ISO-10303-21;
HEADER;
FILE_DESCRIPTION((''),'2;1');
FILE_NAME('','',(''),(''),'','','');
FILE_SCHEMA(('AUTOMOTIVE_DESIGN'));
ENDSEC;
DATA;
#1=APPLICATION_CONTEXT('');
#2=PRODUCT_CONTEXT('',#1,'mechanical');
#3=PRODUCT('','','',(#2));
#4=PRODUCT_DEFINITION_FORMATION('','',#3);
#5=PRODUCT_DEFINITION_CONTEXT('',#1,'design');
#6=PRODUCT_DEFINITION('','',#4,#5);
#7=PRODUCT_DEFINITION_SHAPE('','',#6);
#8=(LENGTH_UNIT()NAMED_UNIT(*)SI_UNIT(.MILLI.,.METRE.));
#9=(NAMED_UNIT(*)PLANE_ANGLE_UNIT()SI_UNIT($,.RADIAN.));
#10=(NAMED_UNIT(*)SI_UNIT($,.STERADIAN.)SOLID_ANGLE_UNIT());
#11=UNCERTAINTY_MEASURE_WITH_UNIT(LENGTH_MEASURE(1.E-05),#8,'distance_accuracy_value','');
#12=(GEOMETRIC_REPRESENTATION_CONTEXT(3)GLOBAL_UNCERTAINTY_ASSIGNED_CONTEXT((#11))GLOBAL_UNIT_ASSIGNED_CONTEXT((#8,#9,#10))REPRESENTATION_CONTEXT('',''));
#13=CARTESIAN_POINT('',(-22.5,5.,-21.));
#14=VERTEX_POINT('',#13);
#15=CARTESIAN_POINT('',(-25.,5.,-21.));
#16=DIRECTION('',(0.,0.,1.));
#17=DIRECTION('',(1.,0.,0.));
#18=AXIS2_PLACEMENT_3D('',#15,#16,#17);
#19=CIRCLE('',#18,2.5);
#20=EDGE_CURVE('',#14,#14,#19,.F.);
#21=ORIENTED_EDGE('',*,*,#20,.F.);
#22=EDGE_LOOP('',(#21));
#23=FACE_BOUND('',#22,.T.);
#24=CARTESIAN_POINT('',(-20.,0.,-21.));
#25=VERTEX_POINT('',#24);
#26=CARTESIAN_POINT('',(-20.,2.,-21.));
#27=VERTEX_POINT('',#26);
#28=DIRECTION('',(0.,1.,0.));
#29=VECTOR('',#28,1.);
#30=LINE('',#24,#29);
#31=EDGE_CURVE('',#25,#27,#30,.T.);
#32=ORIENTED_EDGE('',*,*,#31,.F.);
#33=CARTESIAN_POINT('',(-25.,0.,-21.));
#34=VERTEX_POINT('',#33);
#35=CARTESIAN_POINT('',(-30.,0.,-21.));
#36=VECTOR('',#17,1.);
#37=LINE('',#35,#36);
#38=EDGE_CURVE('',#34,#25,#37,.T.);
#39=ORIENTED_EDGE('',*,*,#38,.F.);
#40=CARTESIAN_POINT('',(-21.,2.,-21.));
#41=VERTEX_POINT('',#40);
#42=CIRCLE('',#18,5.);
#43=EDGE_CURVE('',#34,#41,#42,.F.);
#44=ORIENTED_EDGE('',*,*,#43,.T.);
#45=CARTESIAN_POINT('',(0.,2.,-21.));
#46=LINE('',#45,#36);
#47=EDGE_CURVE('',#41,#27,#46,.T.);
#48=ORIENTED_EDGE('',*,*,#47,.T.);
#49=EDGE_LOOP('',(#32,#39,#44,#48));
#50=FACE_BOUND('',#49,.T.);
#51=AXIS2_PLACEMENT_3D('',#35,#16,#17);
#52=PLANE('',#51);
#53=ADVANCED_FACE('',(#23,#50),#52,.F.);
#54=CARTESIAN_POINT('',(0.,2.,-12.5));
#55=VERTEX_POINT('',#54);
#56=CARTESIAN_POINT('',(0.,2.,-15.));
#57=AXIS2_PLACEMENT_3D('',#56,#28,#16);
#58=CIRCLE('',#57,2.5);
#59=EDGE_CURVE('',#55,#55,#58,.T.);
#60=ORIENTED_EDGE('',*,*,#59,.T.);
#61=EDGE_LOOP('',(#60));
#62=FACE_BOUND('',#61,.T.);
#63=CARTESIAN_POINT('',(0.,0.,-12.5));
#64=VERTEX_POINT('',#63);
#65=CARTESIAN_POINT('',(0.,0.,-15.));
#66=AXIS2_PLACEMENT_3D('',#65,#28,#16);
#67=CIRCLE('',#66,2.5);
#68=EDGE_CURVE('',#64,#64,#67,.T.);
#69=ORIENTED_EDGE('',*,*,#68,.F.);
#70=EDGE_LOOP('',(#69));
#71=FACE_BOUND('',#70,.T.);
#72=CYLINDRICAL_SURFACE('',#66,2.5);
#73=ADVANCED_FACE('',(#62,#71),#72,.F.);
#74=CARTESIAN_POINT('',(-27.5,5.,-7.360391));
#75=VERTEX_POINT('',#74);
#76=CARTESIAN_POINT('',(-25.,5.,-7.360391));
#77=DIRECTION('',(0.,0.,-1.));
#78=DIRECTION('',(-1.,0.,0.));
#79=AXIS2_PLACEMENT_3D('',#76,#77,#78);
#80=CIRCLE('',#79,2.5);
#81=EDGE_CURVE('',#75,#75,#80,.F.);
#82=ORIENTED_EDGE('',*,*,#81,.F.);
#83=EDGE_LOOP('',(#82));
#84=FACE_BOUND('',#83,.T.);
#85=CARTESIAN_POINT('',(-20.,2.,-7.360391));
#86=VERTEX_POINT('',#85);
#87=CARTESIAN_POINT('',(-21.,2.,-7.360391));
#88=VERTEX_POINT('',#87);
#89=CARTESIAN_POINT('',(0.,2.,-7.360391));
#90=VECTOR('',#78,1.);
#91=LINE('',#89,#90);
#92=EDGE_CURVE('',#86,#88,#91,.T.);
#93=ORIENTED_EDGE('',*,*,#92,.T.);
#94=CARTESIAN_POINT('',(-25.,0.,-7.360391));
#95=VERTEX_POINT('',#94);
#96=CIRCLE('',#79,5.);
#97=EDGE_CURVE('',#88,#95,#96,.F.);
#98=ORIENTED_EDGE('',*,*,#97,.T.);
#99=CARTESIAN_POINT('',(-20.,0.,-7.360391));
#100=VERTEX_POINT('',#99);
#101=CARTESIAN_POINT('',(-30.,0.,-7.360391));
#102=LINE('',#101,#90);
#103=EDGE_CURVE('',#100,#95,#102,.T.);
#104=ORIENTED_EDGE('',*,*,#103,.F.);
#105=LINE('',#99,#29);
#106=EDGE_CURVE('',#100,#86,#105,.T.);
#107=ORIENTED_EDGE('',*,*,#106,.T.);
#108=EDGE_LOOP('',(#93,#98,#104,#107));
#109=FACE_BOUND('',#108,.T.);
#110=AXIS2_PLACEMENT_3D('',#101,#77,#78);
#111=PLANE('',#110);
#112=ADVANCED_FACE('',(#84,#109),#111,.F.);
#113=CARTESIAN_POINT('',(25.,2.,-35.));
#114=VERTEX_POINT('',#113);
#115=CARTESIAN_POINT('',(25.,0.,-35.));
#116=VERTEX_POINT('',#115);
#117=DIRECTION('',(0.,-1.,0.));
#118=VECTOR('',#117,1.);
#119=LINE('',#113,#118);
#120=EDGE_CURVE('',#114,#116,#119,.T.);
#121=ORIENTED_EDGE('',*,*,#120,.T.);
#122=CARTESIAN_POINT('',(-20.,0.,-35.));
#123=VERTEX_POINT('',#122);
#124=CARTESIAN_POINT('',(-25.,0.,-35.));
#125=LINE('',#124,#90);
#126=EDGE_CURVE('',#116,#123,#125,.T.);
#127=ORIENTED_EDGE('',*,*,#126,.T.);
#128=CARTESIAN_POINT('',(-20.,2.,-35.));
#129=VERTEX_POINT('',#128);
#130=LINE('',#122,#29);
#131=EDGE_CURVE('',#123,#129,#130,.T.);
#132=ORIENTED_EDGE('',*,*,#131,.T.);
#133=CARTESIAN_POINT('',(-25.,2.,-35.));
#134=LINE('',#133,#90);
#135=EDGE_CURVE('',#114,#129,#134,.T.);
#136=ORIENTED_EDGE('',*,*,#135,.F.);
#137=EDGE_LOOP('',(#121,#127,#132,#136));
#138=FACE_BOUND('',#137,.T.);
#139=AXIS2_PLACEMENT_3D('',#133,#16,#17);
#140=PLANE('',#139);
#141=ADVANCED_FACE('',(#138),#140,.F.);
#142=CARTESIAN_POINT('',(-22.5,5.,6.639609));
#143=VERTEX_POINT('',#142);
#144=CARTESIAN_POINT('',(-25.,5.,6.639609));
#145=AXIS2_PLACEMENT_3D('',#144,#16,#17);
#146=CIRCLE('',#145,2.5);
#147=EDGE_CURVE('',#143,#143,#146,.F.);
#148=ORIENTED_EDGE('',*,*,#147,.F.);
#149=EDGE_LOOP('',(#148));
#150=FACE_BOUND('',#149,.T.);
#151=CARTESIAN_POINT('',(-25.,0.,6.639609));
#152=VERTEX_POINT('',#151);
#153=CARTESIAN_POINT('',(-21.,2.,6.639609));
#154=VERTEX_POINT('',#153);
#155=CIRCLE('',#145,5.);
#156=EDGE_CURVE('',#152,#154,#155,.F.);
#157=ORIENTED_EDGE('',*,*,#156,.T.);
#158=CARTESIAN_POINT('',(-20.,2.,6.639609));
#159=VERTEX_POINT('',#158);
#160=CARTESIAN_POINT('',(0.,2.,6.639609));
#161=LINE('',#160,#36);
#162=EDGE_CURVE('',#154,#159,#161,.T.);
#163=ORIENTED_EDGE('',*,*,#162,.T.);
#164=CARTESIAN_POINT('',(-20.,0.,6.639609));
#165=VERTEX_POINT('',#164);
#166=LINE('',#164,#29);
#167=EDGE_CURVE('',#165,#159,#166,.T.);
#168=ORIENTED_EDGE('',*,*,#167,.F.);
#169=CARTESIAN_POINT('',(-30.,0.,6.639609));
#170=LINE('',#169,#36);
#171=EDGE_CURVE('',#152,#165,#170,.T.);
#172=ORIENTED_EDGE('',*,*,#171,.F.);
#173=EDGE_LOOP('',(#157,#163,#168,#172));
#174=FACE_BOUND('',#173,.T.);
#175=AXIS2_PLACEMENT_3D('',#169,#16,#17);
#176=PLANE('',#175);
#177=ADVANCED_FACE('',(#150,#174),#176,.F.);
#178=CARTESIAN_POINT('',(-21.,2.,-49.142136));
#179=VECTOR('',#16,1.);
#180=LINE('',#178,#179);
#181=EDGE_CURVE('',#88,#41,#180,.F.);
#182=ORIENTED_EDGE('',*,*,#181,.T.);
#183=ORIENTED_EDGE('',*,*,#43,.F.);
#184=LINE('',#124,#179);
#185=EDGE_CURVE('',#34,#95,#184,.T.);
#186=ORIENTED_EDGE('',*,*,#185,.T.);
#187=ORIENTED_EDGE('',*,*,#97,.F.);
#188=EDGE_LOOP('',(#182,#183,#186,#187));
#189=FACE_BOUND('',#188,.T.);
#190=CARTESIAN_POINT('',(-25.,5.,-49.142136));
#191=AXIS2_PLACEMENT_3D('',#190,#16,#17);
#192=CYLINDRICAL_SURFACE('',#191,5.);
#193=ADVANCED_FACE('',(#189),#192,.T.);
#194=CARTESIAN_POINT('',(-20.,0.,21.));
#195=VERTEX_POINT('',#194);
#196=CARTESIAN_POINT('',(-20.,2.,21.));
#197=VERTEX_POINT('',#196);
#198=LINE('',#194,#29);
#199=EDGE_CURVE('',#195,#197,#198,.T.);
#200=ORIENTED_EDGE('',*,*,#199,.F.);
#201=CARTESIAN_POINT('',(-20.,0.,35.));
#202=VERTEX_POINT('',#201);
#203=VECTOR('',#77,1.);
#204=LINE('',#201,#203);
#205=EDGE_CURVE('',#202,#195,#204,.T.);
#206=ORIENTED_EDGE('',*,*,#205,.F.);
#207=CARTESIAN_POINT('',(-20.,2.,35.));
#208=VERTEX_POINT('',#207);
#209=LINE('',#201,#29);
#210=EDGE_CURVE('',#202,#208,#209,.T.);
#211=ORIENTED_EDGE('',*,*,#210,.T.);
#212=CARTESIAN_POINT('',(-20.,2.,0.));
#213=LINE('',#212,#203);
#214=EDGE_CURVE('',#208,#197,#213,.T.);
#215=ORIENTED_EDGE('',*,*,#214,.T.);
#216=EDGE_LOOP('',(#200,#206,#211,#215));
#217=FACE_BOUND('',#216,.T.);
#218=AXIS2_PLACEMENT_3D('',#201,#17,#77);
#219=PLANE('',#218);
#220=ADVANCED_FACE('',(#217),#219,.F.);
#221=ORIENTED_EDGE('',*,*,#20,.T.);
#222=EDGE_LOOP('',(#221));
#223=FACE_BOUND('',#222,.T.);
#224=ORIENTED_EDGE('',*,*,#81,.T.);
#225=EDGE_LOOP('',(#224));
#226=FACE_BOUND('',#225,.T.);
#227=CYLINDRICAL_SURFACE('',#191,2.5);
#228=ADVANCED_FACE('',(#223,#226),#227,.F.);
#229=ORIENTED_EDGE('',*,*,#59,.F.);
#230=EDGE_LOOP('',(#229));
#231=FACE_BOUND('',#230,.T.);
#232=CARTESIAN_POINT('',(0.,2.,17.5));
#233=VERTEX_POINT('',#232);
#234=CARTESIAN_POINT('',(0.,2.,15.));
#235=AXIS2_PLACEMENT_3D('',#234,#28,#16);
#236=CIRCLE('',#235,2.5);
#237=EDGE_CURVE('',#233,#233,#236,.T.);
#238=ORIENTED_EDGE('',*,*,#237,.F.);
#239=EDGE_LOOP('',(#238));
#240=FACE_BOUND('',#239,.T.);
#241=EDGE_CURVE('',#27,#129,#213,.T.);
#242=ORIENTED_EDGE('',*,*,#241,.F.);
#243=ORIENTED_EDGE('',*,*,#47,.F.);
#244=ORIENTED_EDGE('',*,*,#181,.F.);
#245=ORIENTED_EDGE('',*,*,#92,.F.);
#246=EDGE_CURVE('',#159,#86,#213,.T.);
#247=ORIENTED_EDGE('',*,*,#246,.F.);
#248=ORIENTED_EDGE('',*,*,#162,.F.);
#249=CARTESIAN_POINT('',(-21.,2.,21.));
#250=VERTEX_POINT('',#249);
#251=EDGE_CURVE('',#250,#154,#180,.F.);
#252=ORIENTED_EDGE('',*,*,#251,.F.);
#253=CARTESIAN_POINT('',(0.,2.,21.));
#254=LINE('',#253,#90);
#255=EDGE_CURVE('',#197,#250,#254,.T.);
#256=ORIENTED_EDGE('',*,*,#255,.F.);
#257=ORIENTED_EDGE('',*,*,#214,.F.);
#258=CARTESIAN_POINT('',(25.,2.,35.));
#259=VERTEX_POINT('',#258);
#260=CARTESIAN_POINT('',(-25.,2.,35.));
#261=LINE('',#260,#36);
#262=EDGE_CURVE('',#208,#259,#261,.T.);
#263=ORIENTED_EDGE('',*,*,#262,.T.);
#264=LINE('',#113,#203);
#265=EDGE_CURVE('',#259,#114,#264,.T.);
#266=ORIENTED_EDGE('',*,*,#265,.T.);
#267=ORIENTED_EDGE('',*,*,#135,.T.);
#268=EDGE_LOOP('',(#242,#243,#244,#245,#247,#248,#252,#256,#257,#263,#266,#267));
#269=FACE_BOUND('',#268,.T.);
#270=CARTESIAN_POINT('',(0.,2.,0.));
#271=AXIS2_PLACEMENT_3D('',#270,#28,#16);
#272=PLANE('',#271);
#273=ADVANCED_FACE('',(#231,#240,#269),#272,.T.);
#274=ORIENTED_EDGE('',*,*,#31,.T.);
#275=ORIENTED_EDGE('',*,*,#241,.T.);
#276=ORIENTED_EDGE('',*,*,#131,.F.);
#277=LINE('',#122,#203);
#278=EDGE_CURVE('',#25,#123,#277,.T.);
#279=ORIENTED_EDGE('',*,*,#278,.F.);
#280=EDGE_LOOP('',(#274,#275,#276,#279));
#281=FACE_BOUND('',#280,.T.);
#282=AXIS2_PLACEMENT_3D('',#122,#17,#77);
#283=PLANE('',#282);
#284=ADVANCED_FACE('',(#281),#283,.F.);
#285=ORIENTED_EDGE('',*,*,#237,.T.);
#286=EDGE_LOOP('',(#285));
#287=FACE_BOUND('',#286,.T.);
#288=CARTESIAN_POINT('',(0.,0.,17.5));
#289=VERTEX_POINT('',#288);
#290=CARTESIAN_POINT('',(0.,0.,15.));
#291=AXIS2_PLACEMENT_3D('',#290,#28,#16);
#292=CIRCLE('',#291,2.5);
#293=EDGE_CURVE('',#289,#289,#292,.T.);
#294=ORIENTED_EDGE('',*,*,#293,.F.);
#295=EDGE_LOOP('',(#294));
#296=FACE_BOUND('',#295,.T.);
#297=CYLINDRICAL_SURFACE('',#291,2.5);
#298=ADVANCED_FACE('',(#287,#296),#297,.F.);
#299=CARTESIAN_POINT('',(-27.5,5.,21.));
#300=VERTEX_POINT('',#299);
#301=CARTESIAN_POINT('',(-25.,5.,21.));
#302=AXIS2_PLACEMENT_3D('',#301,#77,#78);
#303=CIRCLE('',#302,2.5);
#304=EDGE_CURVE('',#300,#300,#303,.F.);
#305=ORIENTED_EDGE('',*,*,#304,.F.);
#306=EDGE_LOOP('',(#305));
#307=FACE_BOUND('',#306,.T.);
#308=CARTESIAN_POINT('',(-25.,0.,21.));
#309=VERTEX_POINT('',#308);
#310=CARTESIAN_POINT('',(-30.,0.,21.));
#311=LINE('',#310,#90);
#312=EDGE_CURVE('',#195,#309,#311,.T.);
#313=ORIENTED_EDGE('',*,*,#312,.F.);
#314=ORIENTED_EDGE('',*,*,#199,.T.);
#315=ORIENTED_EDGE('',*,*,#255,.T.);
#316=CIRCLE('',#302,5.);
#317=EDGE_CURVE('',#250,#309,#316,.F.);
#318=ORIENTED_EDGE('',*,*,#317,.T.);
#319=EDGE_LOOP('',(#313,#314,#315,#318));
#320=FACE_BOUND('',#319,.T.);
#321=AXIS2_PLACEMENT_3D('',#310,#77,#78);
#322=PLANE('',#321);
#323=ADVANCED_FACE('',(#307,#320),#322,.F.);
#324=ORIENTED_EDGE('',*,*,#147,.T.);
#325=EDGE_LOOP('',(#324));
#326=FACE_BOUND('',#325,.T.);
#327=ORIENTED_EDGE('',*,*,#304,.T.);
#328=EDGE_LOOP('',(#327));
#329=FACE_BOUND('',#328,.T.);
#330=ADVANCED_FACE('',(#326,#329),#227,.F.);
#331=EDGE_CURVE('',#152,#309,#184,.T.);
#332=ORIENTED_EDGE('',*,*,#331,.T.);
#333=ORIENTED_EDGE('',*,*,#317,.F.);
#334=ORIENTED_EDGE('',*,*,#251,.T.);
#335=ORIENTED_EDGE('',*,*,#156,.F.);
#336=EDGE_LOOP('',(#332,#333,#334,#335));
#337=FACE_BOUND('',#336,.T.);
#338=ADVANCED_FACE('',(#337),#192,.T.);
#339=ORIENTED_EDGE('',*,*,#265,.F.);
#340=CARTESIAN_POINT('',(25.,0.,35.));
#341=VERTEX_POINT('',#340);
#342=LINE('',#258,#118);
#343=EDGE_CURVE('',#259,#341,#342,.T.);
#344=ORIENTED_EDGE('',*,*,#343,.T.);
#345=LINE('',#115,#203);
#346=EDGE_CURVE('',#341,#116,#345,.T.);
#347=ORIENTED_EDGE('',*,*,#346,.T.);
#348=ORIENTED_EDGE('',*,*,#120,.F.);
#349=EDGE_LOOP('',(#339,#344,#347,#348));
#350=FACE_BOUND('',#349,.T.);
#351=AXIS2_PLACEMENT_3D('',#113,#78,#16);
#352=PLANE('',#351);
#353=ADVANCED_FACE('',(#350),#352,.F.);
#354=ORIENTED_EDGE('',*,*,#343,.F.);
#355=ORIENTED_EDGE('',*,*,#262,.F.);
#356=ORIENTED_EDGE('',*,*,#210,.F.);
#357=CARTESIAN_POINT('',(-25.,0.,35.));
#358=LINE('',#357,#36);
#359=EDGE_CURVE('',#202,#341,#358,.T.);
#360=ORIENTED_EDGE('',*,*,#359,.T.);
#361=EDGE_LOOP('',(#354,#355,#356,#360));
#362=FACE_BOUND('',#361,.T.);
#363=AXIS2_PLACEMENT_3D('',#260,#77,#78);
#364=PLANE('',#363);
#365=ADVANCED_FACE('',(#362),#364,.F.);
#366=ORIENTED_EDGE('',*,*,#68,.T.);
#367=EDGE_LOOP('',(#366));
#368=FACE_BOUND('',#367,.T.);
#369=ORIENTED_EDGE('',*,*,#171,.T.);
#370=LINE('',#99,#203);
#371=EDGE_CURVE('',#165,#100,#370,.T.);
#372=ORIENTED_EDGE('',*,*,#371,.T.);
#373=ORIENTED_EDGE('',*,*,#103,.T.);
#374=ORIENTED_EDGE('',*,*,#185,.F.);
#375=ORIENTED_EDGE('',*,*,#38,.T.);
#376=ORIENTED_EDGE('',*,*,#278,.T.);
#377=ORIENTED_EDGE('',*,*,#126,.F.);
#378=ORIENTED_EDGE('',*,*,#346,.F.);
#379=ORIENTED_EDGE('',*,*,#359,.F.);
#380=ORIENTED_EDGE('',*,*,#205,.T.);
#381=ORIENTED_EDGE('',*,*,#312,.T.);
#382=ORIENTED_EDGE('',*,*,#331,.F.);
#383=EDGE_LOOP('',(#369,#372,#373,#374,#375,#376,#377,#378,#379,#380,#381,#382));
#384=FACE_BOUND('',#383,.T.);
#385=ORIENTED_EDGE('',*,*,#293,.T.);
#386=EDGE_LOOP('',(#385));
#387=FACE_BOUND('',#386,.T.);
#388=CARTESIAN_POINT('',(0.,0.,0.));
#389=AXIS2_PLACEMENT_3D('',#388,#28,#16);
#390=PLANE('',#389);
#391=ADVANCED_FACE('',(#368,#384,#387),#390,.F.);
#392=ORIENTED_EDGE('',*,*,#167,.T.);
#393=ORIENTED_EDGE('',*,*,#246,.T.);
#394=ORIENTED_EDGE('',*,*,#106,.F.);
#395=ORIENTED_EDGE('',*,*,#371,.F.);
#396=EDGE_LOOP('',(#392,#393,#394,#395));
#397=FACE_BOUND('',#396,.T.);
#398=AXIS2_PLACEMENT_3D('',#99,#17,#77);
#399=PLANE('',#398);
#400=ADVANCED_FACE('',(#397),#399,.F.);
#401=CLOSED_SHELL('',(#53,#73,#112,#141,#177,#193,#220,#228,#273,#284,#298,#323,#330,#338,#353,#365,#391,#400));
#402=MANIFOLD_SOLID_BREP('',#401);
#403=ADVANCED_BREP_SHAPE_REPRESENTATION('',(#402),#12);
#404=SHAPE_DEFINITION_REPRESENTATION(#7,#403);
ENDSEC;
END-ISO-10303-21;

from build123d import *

# Parameters (mm, degrees)
SKETCH1_W               = 50
SKETCH1_H               = 70
BOSS_EXTRUDE1_DEPTH     = 2
SKETCH2_R               = 5
SKETCH2_R_2             = 2.5
BOSS_EXTRUDE2_DEPTH     = 70
SKETCH3_R               = 2.5
CUT_EXTRUDE1_DEPTH      = 47.786750261
CUT_EXTRUDE2_DEPTH      = 47.786750261
CUT_EXTRUDE2_DEPTH_BACK = 47.786750261
SKETCH4_W               = 10
SKETCH4_H               = 14


with BuildPart() as part:
    # Sketch1 → Boss-Extrude1 (new body)
    with BuildSketch(Plane(origin=(0, 0, 0), x_dir=(1, 0, 0), z_dir=(0, 1, 0))):
        Rectangle(SKETCH1_W, SKETCH1_H)
    extrude(amount=BOSS_EXTRUDE1_DEPTH)

    # Sketch2 → Boss-Extrude2 (add)
    with BuildSketch(Plane.XY.offset(35)):
        with Locations((-25, 5)):
            Circle(SKETCH2_R)
        with Locations((-25, 5)):
            Circle(SKETCH2_R_2, mode=Mode.SUBTRACT)
    extrude(amount=-BOSS_EXTRUDE2_DEPTH)

    # Sketch3 → Cut-Extrude1 (cut, through all)
    with BuildSketch(Plane(origin=(0, 2, 0), x_dir=(1, 0, 0), z_dir=(0, 1, 0))):
        with Locations(Location((0, 15, 0), (0, 0, 270))):
            Circle(SKETCH3_R)
        with Locations(Location((0, -15, 0), (0, 0, 270))):
            Circle(SKETCH3_R)
    extrude(amount=-CUT_EXTRUDE1_DEPTH, mode=Mode.SUBTRACT)

    # Sketch4 → Cut-Extrude2 (cut, two sides: drawn at the far end of the back side and taken through both)
    with BuildSketch(Plane(origin=(0, 2, 0), x_dir=(1, 0, 0), z_dir=(0, 1, 0)).offset(-CUT_EXTRUDE2_DEPTH_BACK)):
        with Locations((-25, 28)):
            Rectangle(SKETCH4_W, SKETCH4_H)
        with Locations((-25, 0.360390559)):
            Rectangle(SKETCH4_W, SKETCH4_H)
        with Locations((-25, -28)):
            Rectangle(SKETCH4_W, SKETCH4_H)
    extrude(amount=CUT_EXTRUDE2_DEPTH + CUT_EXTRUDE2_DEPTH_BACK, mode=Mode.SUBTRACT)


solid = part.part
